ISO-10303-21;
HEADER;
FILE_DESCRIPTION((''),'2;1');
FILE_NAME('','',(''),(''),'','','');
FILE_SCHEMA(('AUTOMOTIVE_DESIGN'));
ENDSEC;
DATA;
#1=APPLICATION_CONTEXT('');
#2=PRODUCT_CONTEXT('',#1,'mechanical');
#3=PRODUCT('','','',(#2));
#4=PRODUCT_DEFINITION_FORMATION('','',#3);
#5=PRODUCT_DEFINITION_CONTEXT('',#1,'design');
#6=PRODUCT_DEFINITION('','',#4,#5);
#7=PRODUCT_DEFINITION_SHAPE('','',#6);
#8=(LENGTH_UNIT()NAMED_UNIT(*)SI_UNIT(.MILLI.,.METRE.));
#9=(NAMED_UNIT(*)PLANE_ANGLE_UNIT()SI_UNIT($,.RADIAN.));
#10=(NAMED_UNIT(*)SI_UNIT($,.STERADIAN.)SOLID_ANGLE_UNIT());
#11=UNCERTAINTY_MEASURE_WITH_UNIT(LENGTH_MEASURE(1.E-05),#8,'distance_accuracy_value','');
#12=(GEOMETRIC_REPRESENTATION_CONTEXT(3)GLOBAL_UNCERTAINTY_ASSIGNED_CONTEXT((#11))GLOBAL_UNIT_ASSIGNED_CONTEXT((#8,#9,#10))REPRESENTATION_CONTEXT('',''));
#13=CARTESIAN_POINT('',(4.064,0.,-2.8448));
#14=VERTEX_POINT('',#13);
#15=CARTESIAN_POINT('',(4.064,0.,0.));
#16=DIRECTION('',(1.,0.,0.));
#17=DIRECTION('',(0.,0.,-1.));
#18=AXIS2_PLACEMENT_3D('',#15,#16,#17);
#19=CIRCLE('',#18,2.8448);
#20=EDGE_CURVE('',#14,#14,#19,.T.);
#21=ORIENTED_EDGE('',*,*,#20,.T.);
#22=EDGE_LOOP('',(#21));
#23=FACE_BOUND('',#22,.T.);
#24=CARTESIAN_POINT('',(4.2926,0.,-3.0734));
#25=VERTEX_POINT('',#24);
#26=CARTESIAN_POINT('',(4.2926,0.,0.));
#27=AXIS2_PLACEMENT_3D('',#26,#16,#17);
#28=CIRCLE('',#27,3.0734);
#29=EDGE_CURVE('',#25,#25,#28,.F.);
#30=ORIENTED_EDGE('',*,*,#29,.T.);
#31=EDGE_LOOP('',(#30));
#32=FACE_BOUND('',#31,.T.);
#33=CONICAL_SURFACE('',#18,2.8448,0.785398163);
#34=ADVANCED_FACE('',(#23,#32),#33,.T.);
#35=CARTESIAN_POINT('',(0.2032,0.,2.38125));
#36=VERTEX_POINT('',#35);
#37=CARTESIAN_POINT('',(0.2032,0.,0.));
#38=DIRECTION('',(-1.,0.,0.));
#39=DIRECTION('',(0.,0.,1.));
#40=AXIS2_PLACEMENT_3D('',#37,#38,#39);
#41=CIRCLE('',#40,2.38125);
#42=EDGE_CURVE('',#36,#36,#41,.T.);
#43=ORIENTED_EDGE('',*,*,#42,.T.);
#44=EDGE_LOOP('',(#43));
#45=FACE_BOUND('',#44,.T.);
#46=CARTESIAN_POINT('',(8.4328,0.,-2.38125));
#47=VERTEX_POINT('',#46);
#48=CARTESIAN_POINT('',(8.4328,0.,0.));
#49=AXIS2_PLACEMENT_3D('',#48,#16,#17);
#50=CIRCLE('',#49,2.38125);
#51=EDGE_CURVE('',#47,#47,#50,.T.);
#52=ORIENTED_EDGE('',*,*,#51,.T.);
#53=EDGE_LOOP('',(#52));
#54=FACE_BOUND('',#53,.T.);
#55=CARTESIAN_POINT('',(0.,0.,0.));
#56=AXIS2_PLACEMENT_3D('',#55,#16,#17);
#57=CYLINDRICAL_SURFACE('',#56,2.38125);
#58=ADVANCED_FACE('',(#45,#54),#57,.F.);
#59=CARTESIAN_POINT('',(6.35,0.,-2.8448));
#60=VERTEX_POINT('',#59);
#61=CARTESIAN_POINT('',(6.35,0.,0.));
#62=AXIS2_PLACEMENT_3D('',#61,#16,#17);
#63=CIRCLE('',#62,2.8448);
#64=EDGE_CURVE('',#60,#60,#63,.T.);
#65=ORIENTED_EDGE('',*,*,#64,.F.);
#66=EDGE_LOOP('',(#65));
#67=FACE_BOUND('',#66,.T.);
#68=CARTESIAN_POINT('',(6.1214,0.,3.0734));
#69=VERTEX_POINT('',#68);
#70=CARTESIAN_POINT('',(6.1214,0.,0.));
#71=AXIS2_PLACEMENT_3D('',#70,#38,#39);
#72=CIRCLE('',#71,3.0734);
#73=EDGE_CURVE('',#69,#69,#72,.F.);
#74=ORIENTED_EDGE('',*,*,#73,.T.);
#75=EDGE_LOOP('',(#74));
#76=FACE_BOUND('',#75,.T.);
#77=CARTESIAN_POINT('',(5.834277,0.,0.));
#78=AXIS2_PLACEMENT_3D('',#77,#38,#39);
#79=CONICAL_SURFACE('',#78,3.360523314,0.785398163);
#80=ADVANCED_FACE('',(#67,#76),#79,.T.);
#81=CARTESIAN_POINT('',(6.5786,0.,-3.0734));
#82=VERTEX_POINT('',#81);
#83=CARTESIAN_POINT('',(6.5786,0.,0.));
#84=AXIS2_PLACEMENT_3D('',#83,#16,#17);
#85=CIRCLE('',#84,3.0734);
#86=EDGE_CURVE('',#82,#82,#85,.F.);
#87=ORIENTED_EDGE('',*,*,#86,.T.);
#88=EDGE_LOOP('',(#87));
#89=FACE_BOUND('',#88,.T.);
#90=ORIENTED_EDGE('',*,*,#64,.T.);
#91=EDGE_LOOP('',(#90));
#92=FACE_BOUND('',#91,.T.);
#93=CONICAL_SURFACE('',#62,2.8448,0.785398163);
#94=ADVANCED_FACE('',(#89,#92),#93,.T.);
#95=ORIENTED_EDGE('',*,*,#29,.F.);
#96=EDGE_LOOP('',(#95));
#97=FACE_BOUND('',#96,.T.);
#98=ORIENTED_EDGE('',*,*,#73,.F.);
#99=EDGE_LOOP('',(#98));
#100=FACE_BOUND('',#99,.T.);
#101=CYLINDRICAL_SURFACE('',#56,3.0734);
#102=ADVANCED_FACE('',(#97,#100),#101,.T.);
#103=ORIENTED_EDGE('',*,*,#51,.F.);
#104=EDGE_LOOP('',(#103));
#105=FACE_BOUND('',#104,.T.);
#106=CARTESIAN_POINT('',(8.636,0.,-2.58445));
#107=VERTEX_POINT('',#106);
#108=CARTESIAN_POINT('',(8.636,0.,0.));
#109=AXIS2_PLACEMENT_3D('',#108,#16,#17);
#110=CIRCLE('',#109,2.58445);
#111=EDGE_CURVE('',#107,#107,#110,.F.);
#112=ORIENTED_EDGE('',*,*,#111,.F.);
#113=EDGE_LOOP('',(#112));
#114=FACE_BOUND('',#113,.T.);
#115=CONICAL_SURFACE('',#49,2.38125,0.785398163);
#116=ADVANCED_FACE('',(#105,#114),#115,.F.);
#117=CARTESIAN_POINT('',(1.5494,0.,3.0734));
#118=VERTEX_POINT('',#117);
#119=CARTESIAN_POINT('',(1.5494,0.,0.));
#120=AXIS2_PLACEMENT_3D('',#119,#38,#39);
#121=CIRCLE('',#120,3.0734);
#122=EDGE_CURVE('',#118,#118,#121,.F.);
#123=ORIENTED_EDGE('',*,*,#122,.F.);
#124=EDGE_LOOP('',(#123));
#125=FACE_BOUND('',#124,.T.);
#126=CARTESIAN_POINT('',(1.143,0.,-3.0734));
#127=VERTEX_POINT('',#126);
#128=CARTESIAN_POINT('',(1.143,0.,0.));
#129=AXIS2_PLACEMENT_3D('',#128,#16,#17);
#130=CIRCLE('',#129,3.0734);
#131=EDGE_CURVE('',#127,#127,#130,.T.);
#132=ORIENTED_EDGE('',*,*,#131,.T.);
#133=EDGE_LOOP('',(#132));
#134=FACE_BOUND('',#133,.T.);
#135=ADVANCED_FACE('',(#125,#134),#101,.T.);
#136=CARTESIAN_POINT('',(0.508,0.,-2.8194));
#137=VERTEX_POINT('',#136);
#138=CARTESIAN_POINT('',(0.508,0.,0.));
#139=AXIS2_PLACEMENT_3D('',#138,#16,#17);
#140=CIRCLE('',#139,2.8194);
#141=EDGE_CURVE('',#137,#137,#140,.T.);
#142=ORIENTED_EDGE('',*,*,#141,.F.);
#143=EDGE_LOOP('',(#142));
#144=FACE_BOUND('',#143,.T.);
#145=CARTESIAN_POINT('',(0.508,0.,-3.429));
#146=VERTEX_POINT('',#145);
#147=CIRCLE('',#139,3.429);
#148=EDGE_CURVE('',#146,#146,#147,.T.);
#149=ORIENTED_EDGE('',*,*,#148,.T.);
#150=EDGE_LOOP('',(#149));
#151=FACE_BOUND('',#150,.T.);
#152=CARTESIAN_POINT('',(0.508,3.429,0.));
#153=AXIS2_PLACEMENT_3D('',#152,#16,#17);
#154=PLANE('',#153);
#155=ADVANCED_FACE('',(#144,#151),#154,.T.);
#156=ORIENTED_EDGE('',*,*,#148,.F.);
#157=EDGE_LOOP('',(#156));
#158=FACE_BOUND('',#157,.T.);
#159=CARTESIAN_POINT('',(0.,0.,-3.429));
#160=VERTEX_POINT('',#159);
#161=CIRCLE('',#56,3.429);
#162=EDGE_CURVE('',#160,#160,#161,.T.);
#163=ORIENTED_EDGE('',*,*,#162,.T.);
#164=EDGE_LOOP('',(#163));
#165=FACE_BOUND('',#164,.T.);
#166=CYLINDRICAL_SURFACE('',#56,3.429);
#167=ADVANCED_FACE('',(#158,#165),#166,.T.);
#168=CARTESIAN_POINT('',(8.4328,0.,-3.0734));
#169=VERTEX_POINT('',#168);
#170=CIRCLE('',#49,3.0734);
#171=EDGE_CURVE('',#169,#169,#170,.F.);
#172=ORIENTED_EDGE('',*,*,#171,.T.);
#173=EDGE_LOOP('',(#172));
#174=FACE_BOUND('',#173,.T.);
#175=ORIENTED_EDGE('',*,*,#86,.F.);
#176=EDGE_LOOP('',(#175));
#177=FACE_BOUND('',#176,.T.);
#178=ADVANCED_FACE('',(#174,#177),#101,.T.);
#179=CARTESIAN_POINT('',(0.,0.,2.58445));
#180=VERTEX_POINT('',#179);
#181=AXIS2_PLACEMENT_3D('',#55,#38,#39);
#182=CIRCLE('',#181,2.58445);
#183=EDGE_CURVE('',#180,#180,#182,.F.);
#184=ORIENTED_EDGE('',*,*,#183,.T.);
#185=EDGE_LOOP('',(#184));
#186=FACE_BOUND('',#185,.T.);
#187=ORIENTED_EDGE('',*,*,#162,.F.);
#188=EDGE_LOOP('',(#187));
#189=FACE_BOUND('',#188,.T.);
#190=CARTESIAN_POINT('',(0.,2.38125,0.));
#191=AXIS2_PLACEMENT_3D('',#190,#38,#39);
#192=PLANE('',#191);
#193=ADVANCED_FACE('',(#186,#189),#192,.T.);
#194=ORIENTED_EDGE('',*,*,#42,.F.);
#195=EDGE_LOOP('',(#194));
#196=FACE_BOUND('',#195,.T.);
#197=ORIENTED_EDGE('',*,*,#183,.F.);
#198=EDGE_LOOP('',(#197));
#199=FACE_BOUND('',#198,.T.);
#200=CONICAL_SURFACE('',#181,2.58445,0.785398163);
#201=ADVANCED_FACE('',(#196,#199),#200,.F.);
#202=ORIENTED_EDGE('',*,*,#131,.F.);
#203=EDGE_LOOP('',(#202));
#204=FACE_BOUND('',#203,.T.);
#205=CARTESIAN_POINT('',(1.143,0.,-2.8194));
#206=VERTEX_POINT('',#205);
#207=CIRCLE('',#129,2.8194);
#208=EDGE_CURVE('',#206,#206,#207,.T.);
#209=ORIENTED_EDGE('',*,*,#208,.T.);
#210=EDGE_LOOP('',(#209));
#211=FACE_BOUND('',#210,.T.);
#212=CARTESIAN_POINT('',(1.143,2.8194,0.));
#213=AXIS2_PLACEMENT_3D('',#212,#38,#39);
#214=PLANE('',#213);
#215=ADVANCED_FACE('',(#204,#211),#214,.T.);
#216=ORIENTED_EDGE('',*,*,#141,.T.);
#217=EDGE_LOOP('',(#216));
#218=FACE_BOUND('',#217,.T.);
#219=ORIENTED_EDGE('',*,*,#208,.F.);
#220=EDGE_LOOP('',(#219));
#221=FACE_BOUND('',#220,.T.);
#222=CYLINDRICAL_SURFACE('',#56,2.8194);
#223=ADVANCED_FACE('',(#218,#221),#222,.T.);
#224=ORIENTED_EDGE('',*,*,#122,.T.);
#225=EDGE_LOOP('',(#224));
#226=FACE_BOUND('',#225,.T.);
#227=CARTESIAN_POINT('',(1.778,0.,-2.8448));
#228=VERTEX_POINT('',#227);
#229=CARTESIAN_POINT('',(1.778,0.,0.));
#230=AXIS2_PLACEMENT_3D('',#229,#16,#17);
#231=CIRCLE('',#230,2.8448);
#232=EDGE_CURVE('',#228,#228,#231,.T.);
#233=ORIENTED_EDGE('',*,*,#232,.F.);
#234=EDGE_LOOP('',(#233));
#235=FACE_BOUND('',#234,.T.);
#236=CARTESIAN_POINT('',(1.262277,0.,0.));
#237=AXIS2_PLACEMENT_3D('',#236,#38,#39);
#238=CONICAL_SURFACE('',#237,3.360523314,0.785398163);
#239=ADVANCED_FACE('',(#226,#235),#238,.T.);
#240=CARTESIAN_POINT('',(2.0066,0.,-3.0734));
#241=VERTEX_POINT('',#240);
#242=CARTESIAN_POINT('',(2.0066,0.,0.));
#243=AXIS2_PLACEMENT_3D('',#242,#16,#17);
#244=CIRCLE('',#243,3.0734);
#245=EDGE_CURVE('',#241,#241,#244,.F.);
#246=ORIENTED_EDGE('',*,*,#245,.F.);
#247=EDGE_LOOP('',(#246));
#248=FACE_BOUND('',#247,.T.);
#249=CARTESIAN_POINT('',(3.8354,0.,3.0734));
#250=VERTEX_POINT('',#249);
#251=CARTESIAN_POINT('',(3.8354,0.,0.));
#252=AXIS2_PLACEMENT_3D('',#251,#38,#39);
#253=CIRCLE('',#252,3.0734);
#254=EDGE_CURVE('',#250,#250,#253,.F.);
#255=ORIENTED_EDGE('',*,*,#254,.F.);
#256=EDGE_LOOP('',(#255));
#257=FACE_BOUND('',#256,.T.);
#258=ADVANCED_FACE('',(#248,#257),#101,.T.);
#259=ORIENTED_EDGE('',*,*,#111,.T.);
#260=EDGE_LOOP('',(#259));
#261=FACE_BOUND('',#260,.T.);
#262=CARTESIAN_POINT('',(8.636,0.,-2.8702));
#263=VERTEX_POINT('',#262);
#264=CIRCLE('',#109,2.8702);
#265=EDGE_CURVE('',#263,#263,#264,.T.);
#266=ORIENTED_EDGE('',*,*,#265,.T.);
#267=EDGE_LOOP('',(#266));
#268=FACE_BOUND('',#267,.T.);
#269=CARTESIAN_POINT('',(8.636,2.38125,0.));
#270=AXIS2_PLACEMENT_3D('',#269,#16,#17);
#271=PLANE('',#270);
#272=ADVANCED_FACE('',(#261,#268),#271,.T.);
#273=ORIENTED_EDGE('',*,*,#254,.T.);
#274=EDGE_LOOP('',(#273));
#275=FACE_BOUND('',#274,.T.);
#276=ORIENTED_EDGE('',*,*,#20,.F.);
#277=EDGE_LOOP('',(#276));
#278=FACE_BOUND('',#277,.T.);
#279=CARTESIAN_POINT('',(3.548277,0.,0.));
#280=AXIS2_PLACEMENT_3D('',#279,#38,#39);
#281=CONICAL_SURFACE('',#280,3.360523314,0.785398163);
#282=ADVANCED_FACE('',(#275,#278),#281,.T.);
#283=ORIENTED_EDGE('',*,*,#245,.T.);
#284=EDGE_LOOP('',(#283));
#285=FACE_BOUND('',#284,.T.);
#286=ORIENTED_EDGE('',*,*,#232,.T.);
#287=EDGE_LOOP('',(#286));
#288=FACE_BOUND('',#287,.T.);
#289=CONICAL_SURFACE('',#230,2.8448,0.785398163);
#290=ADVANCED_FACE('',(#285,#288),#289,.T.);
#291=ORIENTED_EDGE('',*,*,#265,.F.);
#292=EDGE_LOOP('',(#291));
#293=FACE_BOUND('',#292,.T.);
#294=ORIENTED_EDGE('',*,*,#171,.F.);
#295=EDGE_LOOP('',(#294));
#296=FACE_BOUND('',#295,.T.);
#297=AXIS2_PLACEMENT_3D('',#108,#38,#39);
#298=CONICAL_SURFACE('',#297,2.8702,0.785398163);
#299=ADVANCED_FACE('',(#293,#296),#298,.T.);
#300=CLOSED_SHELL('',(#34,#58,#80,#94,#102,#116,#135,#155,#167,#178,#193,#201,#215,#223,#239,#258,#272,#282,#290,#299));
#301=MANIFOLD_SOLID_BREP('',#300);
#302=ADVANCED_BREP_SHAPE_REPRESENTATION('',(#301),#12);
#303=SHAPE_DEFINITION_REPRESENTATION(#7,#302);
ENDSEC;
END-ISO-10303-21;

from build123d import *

# Parameters (mm, degrees)
CHAMFER1_SIZE   = 0.2032
CHAMFER2_SIZE   = 0.2032
LPATTERN1_COUNT = 3
LPATTERN1_PITCH = 2.286


with BuildPart() as part:
    # Sketch1 → Revolve1 (revolve)
    with BuildSketch(Plane.XY, mode=Mode.PRIVATE) as revolve1_sk:
        Polygon((0, 2.38125), (8.636, 2.38125), (8.636, 3.0734), (1.143, 3.0734), (1.143, 2.8194), (0.508, 2.8194), (0.508, 3.429), (0, 3.429), align=None)
    revolve(revolve1_sk.sketch.rotate(Axis((0, 0, 0), (-1, 0, 0)), 90), axis=Axis((0, 0, 0), (-1, 0, 0)))

    # Chamfer1
    chamfer1_edges = [part.edges().sort_by_distance(p)[0] for p in [
        (0, 0, 2.38125),
        (8.636, 0, 2.38125),
    ]]
    chamfer(chamfer1_edges, length=CHAMFER1_SIZE)

    # Chamfer2
    chamfer2_edges = [part.edges().sort_by_distance(p)[0] for p in [
        (8.636, 0, 3.0734),
    ]]
    chamfer(chamfer2_edges, length=CHAMFER2_SIZE)

    # Sketch2 → Cut-Revolve1 (revolve, cut)
    with BuildSketch(Plane.XY, mode=Mode.PRIVATE) as cut_revolve1_sk:
        Polygon((1.262276686, 3.360523314), (1.778, 2.8448), (2.293723314, 3.360523314), align=None)
    cut_revolve1 = revolve(cut_revolve1_sk.sketch.rotate(Axis((0, 0, 0), (-1, 0, 0)), 90), axis=Axis((0, 0, 0), (-1, 0, 0)), mode=Mode.SUBTRACT)

    # LPattern1: Cut-Revolve1 ×3
    with Locations(*[(i * LPATTERN1_PITCH, 0, 0) for i in range(1, LPATTERN1_COUNT)]):
        add(cut_revolve1, mode=Mode.SUBTRACT)


solid = part.part
